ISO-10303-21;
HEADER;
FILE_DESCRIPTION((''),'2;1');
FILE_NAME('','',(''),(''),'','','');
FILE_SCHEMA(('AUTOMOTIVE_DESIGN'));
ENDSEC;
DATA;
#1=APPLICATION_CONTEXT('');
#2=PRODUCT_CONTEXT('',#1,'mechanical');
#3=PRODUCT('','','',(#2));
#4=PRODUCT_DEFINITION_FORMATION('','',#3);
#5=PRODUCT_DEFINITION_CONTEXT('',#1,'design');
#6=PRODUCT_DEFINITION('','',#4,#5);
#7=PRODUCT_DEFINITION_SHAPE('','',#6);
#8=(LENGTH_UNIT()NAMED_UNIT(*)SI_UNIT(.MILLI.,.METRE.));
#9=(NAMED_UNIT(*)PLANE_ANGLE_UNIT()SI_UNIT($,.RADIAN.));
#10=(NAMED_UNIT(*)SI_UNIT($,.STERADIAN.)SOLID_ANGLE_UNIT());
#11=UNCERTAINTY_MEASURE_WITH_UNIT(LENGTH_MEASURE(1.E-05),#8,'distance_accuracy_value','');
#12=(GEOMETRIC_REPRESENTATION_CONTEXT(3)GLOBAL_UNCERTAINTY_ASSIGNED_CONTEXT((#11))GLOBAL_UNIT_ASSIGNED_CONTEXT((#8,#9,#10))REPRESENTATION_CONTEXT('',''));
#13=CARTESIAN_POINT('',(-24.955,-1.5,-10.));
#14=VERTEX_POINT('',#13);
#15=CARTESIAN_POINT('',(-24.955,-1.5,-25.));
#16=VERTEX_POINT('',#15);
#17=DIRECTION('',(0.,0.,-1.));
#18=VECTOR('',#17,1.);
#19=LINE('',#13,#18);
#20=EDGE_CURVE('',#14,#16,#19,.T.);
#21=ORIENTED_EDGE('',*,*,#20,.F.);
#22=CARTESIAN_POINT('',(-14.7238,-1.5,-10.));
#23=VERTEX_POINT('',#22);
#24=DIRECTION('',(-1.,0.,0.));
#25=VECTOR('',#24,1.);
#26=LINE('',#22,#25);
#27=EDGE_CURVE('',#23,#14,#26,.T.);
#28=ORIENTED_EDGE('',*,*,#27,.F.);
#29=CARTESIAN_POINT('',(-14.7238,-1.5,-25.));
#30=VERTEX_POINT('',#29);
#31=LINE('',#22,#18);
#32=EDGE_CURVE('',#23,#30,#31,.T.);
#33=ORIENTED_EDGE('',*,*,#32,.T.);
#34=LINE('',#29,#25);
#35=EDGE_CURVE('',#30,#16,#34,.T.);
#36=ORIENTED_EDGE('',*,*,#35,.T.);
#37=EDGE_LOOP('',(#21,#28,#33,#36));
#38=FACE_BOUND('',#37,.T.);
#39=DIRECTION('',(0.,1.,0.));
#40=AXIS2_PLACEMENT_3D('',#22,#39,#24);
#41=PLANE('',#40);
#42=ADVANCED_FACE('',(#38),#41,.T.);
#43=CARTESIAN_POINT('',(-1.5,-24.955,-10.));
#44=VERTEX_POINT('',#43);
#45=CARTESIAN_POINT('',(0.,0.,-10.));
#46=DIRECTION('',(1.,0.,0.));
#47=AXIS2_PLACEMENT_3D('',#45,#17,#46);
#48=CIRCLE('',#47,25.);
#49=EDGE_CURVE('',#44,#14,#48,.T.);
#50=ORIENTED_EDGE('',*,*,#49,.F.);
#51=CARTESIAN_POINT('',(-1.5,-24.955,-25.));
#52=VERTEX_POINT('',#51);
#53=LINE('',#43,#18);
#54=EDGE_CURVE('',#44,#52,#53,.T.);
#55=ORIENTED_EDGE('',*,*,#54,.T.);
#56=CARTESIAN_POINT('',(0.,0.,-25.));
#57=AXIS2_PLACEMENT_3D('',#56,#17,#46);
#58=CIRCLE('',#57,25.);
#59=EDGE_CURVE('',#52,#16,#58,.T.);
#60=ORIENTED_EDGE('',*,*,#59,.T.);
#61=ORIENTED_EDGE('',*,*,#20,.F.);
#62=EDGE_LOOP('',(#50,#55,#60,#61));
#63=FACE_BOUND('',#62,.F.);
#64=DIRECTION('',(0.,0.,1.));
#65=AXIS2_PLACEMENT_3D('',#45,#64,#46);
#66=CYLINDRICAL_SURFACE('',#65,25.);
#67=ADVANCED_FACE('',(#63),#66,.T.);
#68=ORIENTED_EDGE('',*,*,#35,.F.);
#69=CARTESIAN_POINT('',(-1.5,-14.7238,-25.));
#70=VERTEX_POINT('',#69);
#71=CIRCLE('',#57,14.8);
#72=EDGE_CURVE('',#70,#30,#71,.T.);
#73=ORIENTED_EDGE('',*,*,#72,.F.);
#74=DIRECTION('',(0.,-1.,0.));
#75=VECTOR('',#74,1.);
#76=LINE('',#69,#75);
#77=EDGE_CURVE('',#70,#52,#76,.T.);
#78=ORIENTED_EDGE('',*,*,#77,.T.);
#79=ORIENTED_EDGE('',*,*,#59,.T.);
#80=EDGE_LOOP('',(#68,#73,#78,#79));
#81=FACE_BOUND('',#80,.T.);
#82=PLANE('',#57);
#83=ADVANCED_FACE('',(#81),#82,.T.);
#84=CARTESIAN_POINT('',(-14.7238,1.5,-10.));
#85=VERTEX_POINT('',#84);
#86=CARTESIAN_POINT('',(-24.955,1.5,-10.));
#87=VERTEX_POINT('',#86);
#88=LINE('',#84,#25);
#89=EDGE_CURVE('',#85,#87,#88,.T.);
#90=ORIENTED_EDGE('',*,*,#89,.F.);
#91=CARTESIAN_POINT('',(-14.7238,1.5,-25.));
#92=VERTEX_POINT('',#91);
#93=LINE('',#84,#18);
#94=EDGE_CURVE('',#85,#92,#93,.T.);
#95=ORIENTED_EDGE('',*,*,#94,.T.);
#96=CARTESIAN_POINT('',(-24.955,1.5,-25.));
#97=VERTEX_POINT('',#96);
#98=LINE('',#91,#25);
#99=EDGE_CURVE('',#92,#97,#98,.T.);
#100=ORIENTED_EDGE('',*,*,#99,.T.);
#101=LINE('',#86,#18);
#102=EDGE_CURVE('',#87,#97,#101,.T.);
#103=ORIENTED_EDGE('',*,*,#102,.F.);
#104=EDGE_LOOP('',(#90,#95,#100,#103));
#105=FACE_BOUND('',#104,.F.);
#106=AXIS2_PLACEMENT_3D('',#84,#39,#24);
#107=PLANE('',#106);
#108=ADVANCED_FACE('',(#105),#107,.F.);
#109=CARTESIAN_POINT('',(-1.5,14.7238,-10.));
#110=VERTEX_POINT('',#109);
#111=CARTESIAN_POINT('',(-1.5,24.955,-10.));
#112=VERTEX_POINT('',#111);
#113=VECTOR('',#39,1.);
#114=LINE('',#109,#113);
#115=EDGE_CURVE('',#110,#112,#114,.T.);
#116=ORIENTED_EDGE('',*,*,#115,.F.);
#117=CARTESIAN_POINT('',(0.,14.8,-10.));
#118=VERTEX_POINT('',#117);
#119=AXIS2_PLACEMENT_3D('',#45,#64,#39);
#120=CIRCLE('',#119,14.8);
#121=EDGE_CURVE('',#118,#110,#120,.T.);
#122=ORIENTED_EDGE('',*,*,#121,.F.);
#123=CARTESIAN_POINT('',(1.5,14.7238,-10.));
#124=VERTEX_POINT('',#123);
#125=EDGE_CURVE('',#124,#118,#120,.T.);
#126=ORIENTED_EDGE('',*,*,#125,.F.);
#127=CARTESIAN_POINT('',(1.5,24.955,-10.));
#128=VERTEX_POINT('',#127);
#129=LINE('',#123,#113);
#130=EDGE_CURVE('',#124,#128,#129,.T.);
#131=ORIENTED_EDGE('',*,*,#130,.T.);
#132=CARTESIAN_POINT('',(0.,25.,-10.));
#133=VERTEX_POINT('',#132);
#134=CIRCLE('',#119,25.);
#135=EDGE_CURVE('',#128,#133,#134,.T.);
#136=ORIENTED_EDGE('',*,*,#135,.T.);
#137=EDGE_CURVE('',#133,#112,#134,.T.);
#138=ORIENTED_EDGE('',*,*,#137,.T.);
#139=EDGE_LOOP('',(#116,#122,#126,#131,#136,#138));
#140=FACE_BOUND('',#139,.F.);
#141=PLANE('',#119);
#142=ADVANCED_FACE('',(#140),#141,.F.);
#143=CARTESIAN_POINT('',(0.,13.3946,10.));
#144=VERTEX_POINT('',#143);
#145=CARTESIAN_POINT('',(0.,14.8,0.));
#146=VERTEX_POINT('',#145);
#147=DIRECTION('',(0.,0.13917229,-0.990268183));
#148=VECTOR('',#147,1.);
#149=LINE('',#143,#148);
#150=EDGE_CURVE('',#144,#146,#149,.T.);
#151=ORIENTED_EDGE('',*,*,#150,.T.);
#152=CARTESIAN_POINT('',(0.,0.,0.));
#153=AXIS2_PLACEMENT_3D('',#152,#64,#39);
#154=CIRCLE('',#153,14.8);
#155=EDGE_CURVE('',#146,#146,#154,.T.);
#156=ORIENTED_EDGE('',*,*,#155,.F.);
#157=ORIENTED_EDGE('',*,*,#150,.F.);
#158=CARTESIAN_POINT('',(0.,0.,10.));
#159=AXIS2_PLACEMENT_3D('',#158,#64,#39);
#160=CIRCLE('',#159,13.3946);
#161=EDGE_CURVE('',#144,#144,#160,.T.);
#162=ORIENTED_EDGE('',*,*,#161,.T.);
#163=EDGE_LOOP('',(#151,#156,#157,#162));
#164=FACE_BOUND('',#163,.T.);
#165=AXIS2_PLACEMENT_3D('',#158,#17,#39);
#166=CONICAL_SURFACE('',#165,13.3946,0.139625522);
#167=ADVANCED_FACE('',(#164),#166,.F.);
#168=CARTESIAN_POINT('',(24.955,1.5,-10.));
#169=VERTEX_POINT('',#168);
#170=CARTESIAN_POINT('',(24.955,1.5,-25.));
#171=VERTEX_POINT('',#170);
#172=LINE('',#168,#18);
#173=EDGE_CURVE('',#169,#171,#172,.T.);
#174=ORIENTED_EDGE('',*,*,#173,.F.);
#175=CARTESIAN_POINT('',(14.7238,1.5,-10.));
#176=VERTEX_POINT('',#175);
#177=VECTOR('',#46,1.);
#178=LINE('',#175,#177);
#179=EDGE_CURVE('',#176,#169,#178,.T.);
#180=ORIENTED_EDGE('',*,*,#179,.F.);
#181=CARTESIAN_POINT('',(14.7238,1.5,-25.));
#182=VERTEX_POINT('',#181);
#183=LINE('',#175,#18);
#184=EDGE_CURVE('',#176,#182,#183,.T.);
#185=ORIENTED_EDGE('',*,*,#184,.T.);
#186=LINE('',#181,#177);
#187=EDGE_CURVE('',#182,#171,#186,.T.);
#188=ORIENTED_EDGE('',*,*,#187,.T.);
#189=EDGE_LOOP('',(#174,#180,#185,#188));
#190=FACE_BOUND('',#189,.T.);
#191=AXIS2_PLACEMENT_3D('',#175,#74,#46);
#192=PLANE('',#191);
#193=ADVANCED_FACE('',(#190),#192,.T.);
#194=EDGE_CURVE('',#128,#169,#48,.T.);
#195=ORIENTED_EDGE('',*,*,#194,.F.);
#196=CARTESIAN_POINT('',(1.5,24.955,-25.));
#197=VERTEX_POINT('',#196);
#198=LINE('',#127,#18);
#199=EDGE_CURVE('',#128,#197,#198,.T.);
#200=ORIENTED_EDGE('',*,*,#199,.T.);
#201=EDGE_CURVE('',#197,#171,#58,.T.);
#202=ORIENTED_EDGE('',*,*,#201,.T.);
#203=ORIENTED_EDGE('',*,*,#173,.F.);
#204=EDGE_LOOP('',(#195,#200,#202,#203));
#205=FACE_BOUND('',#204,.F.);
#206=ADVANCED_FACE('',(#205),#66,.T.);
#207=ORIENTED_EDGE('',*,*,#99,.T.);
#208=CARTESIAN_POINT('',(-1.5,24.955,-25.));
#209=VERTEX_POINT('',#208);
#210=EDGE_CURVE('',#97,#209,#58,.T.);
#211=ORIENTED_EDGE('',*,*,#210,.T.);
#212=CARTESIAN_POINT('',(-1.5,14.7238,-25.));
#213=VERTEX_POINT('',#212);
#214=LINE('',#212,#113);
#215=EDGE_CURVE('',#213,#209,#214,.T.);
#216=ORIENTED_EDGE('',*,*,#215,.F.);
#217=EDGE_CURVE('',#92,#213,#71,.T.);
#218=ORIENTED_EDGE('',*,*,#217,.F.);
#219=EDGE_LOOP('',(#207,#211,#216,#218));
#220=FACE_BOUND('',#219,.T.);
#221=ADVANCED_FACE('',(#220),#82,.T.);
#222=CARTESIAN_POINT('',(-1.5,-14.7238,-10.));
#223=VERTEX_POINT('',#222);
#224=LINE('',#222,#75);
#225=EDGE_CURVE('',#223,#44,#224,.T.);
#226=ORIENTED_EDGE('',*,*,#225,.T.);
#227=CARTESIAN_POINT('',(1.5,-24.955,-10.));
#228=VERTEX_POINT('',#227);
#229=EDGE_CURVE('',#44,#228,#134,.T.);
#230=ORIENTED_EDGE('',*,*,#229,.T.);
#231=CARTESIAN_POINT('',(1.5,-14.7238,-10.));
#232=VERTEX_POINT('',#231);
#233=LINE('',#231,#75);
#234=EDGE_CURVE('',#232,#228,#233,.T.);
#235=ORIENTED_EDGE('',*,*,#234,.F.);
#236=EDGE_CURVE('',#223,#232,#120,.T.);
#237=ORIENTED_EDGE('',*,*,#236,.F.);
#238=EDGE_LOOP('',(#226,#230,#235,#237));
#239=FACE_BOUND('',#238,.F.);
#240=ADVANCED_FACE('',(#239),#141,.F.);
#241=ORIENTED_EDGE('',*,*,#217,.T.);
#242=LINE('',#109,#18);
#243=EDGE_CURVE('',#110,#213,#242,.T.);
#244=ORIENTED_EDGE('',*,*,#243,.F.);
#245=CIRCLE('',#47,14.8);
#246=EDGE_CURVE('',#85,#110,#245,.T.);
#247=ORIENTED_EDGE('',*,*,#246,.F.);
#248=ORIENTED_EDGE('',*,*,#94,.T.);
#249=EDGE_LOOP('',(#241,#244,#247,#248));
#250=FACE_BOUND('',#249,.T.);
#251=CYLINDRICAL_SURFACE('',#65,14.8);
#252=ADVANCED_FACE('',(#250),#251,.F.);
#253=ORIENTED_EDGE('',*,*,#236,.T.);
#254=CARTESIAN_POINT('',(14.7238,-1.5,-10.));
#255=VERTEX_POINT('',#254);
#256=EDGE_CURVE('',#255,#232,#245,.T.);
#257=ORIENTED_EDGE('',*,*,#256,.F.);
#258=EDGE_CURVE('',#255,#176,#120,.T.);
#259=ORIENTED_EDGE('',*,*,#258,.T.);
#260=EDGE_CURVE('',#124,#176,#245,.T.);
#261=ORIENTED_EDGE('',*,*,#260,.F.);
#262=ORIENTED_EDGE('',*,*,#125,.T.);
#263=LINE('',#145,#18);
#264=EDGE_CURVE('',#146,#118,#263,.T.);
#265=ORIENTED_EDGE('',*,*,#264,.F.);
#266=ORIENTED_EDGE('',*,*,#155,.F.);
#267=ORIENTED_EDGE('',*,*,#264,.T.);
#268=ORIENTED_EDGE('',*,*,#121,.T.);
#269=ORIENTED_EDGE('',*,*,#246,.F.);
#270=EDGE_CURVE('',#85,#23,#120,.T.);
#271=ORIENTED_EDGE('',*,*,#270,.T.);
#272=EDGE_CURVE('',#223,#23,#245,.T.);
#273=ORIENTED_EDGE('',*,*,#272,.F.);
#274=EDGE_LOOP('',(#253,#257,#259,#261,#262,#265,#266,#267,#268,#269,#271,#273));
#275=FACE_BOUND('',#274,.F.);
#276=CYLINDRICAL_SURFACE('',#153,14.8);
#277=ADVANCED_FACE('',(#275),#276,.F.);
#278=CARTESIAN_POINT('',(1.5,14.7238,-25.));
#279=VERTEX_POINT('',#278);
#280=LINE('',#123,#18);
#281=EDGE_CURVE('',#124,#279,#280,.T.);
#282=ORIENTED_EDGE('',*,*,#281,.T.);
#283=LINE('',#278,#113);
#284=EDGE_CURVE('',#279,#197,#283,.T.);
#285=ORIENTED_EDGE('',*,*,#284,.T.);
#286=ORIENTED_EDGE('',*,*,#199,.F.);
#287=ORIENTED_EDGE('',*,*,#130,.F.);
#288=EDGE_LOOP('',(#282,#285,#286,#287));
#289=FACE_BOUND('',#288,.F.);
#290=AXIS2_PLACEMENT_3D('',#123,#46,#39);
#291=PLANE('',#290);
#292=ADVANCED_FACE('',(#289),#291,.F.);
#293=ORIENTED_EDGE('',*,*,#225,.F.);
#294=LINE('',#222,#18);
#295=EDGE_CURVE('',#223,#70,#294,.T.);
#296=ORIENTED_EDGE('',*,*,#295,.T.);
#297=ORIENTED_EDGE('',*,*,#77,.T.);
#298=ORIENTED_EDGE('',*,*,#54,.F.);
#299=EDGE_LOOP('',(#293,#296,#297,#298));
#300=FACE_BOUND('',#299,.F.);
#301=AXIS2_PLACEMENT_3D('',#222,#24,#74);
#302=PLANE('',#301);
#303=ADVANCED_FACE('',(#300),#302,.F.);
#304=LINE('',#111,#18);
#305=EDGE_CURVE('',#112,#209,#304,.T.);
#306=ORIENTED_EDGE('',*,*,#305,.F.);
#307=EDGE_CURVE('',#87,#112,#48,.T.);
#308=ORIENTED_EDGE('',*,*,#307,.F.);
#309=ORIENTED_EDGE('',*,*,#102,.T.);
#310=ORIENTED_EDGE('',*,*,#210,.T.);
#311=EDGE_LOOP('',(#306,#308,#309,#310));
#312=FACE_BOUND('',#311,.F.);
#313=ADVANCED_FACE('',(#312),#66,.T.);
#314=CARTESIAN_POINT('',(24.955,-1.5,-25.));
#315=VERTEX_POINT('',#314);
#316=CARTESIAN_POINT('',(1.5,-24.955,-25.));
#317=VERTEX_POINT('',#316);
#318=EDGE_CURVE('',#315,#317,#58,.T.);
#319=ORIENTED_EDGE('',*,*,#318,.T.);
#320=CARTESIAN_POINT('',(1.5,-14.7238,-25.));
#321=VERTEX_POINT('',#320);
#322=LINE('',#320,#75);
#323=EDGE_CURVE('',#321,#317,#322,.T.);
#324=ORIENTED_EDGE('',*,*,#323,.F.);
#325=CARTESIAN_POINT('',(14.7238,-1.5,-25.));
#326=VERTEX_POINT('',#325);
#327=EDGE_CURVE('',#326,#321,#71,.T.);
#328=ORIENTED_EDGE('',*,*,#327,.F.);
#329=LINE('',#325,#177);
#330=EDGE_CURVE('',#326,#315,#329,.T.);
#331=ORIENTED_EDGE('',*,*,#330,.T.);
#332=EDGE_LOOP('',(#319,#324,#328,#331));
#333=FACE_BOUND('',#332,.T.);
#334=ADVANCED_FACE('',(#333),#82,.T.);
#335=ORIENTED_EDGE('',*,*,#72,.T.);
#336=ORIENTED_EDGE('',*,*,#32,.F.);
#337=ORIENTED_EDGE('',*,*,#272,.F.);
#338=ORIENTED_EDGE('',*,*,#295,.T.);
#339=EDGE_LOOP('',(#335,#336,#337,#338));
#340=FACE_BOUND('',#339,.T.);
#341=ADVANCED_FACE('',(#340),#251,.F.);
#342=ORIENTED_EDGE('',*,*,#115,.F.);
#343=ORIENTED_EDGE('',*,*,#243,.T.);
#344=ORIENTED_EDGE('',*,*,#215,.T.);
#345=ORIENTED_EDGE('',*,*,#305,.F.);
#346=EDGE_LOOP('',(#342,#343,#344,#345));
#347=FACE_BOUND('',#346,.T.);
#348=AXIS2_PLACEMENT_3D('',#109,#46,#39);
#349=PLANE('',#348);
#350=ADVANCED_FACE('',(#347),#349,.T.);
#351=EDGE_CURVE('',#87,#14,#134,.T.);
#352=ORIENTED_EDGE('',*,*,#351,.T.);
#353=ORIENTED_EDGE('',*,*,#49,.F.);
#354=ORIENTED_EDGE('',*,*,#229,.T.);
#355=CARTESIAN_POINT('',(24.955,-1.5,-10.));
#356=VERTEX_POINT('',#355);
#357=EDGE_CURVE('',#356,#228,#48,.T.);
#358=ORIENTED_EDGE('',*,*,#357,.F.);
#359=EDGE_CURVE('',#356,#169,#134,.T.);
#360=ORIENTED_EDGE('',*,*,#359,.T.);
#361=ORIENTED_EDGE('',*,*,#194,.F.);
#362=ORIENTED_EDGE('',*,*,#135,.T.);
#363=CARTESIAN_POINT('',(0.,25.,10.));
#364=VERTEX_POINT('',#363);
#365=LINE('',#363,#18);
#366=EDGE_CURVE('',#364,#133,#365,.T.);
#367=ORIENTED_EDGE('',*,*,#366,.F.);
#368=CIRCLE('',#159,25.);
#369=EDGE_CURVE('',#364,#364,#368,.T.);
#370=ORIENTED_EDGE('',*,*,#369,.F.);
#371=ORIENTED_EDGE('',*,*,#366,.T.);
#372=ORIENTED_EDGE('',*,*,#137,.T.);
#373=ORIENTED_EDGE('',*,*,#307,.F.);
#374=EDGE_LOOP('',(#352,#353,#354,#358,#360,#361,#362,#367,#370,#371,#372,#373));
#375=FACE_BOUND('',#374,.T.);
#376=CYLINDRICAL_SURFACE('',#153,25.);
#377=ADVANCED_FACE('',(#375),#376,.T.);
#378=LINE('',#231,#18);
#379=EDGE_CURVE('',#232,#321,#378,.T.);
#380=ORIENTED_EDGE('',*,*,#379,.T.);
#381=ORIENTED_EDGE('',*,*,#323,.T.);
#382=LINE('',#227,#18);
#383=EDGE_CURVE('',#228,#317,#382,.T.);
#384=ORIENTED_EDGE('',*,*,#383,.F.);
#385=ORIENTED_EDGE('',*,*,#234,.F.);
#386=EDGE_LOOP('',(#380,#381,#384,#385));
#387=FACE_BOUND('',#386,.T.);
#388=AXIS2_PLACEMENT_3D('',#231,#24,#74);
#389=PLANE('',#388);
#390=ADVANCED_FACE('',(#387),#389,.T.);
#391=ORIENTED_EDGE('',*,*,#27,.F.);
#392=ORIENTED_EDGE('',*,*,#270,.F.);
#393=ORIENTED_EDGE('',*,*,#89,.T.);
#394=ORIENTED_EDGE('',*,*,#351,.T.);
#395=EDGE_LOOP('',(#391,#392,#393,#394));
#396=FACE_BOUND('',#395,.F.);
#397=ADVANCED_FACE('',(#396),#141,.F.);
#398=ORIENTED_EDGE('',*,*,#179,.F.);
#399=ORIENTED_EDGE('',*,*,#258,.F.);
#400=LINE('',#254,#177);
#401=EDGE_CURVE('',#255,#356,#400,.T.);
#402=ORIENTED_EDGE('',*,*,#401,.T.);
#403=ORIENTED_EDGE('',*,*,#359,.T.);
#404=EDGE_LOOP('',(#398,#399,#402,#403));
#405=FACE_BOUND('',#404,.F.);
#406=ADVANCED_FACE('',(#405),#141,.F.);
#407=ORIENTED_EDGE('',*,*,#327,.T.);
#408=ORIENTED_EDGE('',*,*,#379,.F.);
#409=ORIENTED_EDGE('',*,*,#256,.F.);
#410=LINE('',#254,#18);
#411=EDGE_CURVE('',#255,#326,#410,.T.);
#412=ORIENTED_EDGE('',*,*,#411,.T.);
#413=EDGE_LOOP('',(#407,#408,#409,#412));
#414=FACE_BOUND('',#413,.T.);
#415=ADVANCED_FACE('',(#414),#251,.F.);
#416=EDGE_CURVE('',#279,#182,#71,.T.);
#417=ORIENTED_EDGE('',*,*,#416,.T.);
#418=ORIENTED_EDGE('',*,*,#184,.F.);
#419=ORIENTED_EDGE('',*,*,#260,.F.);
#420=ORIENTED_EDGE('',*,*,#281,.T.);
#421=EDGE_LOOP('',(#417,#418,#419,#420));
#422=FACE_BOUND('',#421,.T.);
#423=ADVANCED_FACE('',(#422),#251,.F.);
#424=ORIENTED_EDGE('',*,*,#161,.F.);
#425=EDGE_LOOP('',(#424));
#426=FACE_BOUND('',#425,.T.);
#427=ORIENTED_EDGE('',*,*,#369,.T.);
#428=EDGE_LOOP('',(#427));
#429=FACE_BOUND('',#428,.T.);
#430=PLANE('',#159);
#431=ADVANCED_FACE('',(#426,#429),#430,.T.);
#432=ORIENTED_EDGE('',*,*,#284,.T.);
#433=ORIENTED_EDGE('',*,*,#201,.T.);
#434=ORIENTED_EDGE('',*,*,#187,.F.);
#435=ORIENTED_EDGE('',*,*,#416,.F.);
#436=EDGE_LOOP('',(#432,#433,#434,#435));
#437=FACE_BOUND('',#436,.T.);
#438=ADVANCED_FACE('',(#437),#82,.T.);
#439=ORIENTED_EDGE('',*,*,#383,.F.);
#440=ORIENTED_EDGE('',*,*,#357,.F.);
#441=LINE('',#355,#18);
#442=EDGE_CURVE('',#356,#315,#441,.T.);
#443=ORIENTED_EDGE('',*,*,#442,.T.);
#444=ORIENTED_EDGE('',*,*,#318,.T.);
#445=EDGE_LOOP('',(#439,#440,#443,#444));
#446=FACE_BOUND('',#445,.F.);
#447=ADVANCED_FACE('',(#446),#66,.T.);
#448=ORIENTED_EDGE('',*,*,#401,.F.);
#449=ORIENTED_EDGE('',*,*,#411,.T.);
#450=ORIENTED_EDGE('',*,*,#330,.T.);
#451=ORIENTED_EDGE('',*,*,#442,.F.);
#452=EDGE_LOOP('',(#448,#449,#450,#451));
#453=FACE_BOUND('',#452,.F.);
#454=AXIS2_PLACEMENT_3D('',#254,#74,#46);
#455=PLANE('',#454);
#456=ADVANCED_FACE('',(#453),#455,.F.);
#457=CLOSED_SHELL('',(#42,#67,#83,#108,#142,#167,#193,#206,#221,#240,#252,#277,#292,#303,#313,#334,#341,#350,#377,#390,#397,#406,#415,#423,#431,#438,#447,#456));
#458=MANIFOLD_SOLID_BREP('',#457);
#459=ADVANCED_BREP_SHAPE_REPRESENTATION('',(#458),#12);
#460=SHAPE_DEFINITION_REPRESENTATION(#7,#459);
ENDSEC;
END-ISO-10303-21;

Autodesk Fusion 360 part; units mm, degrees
sketch "Sketch4" plane through (0, 0, 0) normal (0, 0, 1) x (1, 0, 0)
  circle A0 centre (0, 0) radius 25 construction
  dimension "d8" = 50
sketch "Sketch6" plane through (0, 0, 0) normal (1, 0, 0) x (0, 1, 0)
  line L0 (0, 0) -> (25, 0) construction
  line L1 (25, 0) -> (25, 10)
  line L2 (0, 0) -> (14.8, 0) construction
  line L3 (14.8, 0) -> (14.8, 10) construction
  line L4 (14.8, 10) -> (25, 10) construction
  line L5 (25, 10) -> (11.5, 10) construction
  line L6 (14.8, 0) -> (13.3946, 10) construction
  line L7 (14.8, 0) -> (24.8983, 0) construction
  line L8 (25, 10) -> (13.3946, 10)
  line L9 (13.3946, 10) -> (14.8, 0)
  line L10 (25, 0) -> (14.8, 0)
  dimension "d9" = 25
  dimension "d10" = 10
  dimension "d11" = 14.8
  dimension "d12" = 98
revolve "Revolve1" add sketch "Sketch6" angle 360 about axis through (0, 0, 1.75) along (0, 0, 1)
sketch "Sketch7" plane through (0, 0, 0) normal (0, 0, -1) x (1, 0, 0)
  circle A0 centre (0, 0) radius 25
  circle A1 centre (0, 0) radius 14.8
extrude "Extrude3" add 1 faces at (1.9773, 21.4518, 0) along direction (0, 0, -1) blind 10
sketch "Sketch8" plane through (0, 0, -10) normal (0, 0, -1) x (1, 0, 0)
  circle A0 centre (0, 0) radius 25
  circle A1 centre (0, 0) radius 14.8
  circle A2 centre (0, 0) radius 14.8
  circle A3 centre (0, 0) radius 25
  line L0 (1.5, 14.7238) -> (1.5, 24.955)
  line L1 (-1.5, 14.7238) -> (-1.5, 24.955)
  line L2 (-14.7238, 1.5) -> (-24.955, 1.5)
  line L3 (-14.7238, -1.5) -> (-24.955, -1.5)
  line L4 (-1.5, -14.7238) -> (-1.5, -24.955)
  line L5 (1.5, -14.7238) -> (1.5, -24.955)
  line L6 (14.7238, -1.5) -> (24.955, -1.5)
  line L7 (14.7238, 1.5) -> (24.955, 1.5)
  dimension "d19" = 360
extrude "Extrude4" add sketch "Sketch8" along normal blind 15 contours A0 A1 A2 A3 L0 L7 | A0 A1 A2 A3 L5 L6 | A0 A1 A2 A3 L1 L2 | A0 A1 A2 A3 L3 L4
